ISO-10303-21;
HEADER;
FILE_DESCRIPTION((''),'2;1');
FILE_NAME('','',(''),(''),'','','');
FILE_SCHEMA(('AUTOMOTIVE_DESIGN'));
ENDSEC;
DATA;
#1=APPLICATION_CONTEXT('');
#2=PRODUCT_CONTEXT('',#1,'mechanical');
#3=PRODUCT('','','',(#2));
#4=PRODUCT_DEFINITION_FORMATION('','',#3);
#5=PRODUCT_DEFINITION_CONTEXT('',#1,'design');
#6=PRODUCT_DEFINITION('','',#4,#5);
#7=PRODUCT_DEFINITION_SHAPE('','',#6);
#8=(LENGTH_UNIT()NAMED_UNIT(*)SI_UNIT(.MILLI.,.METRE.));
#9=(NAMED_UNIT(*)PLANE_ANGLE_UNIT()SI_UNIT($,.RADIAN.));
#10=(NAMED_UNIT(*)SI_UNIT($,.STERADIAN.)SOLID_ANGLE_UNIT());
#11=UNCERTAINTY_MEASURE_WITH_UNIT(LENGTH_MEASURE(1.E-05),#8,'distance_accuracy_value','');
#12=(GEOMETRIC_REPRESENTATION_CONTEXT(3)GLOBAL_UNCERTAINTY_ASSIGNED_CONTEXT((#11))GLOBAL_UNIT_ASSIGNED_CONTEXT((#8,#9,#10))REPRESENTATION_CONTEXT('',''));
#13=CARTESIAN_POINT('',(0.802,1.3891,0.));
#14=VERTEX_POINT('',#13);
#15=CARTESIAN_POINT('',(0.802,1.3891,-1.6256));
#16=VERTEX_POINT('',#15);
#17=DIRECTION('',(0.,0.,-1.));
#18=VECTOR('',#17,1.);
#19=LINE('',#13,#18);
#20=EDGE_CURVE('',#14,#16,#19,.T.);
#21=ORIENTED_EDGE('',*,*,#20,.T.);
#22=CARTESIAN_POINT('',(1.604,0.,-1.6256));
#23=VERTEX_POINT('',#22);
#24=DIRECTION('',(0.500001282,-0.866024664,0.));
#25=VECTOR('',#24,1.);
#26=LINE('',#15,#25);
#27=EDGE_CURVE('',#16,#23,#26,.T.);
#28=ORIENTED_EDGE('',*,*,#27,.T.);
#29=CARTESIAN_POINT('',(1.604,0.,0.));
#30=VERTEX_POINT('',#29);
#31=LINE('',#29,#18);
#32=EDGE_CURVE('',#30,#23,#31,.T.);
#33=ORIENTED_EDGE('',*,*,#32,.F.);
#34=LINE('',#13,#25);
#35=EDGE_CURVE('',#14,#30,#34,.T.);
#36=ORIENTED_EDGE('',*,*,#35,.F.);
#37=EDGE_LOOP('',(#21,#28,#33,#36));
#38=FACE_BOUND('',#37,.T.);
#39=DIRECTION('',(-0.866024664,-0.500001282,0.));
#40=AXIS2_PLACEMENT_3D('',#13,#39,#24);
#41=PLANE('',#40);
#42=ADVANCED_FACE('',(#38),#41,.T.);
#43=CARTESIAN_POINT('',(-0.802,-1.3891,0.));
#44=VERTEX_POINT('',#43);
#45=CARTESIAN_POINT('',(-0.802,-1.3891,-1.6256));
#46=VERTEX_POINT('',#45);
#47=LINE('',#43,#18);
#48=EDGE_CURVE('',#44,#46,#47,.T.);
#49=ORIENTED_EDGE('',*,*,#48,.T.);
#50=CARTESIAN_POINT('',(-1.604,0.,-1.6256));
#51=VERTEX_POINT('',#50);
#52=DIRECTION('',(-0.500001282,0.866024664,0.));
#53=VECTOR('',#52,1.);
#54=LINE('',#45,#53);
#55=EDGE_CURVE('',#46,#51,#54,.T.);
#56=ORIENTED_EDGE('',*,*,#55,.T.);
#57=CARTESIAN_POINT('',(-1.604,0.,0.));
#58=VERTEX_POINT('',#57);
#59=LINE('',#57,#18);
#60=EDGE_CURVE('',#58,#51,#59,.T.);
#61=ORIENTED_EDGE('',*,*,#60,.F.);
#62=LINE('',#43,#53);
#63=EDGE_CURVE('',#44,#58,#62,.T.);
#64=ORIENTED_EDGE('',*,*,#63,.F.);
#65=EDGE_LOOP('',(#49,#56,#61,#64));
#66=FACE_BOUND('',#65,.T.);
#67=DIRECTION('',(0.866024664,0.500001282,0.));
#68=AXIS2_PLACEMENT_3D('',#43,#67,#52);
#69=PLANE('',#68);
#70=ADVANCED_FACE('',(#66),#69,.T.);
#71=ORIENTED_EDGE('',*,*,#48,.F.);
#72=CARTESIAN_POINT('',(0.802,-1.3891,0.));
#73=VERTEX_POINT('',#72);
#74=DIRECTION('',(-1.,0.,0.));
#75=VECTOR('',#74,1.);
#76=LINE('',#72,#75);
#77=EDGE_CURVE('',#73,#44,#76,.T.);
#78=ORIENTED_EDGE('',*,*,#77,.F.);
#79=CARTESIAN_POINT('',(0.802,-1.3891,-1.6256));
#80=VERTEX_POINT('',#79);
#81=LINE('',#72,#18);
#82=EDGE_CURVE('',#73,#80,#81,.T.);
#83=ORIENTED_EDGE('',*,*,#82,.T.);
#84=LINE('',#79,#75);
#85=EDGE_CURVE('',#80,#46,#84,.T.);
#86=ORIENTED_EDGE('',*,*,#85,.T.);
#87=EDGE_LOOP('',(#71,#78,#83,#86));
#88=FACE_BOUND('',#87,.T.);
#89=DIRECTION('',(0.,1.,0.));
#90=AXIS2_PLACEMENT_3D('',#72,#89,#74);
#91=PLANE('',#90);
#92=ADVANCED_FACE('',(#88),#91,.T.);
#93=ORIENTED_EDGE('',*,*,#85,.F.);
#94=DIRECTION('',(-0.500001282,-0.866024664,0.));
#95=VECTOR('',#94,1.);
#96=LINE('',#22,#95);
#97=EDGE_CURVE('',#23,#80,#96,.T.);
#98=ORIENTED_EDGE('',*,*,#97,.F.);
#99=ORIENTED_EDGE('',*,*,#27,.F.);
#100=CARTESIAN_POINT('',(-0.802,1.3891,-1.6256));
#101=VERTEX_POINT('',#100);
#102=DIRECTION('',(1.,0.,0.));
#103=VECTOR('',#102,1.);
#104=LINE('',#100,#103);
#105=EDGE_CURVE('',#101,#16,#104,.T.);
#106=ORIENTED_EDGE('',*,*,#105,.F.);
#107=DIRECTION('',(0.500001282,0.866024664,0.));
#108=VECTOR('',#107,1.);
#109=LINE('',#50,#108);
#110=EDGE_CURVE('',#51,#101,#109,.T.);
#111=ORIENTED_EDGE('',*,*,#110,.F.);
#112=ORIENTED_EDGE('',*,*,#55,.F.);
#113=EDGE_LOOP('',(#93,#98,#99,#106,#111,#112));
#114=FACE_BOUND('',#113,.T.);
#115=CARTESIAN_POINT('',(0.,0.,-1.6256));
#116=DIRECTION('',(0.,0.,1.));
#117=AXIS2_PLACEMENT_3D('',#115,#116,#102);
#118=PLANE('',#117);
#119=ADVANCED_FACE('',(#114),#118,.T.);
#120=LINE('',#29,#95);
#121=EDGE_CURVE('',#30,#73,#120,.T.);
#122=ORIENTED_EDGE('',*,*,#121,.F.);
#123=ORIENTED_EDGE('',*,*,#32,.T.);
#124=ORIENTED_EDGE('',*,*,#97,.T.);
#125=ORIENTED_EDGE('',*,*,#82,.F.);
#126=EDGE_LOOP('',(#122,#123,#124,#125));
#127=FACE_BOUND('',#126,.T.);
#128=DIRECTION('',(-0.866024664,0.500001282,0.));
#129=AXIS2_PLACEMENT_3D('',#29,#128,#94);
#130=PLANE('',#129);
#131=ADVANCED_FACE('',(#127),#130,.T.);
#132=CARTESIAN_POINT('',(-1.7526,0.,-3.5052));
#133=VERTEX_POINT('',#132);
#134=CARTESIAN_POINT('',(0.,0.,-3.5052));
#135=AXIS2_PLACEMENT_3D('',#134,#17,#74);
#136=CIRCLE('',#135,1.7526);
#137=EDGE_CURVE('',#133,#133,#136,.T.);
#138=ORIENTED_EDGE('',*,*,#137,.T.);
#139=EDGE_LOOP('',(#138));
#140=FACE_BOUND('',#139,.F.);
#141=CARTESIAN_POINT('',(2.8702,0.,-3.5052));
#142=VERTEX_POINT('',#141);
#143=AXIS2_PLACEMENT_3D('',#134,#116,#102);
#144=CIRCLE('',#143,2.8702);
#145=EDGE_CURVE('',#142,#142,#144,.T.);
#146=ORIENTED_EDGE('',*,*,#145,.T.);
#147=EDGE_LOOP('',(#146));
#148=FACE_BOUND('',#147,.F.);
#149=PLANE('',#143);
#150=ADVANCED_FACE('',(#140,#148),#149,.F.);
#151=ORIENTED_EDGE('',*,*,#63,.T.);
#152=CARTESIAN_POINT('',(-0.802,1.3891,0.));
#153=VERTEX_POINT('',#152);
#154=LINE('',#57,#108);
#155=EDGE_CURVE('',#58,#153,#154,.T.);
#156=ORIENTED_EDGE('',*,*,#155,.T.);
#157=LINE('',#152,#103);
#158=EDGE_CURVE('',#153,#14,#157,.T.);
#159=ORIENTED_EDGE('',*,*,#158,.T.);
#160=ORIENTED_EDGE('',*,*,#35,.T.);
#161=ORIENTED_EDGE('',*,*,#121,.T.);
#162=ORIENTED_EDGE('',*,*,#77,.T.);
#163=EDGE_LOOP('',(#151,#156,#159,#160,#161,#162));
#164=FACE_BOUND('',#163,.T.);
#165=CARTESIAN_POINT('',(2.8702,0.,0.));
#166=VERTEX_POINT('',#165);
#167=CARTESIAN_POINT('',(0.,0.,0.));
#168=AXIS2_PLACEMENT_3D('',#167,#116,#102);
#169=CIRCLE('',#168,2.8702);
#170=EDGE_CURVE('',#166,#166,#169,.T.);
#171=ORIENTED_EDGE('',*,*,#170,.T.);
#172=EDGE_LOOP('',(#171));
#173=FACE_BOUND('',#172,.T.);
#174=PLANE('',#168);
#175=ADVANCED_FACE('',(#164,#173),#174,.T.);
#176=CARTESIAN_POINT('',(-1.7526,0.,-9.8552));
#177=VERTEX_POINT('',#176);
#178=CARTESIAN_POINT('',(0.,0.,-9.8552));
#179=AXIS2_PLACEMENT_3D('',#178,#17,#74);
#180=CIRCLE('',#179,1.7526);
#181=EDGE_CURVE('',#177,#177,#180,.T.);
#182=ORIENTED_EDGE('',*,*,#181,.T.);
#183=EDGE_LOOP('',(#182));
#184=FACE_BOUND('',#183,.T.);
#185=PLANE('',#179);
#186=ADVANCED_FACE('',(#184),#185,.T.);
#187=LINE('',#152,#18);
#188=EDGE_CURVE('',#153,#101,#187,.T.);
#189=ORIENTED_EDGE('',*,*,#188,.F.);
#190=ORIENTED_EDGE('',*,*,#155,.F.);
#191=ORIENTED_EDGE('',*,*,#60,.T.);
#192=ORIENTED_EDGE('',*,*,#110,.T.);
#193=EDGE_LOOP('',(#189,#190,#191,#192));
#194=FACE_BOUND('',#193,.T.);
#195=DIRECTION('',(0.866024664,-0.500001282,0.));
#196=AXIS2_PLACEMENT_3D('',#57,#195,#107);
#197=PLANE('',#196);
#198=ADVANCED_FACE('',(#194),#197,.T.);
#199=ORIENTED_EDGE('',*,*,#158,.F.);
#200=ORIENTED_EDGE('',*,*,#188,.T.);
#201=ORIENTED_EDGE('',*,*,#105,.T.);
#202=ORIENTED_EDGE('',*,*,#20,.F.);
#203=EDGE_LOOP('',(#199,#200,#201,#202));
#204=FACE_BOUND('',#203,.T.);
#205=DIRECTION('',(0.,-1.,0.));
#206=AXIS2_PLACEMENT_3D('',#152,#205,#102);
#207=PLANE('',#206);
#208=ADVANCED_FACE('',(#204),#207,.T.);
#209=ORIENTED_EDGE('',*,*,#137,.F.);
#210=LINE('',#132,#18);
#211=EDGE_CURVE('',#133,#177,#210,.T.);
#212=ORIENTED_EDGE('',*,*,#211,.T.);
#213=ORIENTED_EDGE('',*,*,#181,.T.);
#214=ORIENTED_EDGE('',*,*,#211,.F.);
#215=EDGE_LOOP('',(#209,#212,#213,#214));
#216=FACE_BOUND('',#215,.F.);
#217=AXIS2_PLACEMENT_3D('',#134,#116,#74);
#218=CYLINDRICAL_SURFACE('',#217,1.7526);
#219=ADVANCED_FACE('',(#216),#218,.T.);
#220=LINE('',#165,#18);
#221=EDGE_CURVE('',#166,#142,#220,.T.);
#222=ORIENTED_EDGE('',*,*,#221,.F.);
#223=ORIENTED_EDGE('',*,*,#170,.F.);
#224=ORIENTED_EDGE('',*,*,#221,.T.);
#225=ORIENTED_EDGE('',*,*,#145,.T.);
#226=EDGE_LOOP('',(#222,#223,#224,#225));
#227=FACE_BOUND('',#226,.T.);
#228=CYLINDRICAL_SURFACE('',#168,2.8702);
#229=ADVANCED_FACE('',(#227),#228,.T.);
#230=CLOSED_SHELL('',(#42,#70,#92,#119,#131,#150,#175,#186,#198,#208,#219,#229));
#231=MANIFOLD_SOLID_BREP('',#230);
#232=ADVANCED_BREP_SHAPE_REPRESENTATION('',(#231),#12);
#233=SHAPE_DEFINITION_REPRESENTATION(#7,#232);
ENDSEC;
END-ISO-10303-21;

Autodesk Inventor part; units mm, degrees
ref_plane "YZ Plane" through (0, 0, 0) normal (1, 0, 0) x (0, 1, 0)
ref_plane "XZ Plane" through (0, 0, 0) normal (0, 1, 0) x (-1, 0, 0)
ref_plane "XY Plane" through (0, 0, 0) normal (0, 0, 1) x (1, 0, 0)
sketch "Sketch1" plane through (0, 0, 0) normal (0, 0, 1) x (1, 0, 0)
  circle A0 centre (0, 0) radius 2.8702
  dimension "head_dia" = 5.7404
extrude "Extrusion1" add sketch "Sketch1" against normal blind 3.5052
sketch "Sketch2" plane through (0, 0, -3.5052) normal (0, 0, -1) x (-1, 0, 0)
  circle A0 centre (0, 0) radius 1.7526
  dimension "body_dia" = 3.5052
extrude "Extrusion2" add sketch "Sketch2" along normal blind 6.35
sketch "Sketch3" plane through (0, 0, 0) normal (0, 0, 1) x (1, 0, 0)
  line L0 (1.604, 0) -> (0.802, -1.3891)
  line L1 (0.802, -1.3891) -> (-0.802, -1.3891)
  line L2 (-0.802, -1.3891) -> (-1.604, 0)
  line L3 (-1.604, 0) -> (-0.802, 1.3891)
  line L4 (-0.802, 1.3891) -> (0.802, 1.3891)
  line L5 (0.802, 1.3891) -> (1.604, 0)
  point P0 (0, 0)
  point P1 (0, 0)
  dimension "allen" = 2.7781
extrude "Extrusion3" cut sketch "Sketch3" against normal blind 1.6256
properties part number "shcs-6-0250"
